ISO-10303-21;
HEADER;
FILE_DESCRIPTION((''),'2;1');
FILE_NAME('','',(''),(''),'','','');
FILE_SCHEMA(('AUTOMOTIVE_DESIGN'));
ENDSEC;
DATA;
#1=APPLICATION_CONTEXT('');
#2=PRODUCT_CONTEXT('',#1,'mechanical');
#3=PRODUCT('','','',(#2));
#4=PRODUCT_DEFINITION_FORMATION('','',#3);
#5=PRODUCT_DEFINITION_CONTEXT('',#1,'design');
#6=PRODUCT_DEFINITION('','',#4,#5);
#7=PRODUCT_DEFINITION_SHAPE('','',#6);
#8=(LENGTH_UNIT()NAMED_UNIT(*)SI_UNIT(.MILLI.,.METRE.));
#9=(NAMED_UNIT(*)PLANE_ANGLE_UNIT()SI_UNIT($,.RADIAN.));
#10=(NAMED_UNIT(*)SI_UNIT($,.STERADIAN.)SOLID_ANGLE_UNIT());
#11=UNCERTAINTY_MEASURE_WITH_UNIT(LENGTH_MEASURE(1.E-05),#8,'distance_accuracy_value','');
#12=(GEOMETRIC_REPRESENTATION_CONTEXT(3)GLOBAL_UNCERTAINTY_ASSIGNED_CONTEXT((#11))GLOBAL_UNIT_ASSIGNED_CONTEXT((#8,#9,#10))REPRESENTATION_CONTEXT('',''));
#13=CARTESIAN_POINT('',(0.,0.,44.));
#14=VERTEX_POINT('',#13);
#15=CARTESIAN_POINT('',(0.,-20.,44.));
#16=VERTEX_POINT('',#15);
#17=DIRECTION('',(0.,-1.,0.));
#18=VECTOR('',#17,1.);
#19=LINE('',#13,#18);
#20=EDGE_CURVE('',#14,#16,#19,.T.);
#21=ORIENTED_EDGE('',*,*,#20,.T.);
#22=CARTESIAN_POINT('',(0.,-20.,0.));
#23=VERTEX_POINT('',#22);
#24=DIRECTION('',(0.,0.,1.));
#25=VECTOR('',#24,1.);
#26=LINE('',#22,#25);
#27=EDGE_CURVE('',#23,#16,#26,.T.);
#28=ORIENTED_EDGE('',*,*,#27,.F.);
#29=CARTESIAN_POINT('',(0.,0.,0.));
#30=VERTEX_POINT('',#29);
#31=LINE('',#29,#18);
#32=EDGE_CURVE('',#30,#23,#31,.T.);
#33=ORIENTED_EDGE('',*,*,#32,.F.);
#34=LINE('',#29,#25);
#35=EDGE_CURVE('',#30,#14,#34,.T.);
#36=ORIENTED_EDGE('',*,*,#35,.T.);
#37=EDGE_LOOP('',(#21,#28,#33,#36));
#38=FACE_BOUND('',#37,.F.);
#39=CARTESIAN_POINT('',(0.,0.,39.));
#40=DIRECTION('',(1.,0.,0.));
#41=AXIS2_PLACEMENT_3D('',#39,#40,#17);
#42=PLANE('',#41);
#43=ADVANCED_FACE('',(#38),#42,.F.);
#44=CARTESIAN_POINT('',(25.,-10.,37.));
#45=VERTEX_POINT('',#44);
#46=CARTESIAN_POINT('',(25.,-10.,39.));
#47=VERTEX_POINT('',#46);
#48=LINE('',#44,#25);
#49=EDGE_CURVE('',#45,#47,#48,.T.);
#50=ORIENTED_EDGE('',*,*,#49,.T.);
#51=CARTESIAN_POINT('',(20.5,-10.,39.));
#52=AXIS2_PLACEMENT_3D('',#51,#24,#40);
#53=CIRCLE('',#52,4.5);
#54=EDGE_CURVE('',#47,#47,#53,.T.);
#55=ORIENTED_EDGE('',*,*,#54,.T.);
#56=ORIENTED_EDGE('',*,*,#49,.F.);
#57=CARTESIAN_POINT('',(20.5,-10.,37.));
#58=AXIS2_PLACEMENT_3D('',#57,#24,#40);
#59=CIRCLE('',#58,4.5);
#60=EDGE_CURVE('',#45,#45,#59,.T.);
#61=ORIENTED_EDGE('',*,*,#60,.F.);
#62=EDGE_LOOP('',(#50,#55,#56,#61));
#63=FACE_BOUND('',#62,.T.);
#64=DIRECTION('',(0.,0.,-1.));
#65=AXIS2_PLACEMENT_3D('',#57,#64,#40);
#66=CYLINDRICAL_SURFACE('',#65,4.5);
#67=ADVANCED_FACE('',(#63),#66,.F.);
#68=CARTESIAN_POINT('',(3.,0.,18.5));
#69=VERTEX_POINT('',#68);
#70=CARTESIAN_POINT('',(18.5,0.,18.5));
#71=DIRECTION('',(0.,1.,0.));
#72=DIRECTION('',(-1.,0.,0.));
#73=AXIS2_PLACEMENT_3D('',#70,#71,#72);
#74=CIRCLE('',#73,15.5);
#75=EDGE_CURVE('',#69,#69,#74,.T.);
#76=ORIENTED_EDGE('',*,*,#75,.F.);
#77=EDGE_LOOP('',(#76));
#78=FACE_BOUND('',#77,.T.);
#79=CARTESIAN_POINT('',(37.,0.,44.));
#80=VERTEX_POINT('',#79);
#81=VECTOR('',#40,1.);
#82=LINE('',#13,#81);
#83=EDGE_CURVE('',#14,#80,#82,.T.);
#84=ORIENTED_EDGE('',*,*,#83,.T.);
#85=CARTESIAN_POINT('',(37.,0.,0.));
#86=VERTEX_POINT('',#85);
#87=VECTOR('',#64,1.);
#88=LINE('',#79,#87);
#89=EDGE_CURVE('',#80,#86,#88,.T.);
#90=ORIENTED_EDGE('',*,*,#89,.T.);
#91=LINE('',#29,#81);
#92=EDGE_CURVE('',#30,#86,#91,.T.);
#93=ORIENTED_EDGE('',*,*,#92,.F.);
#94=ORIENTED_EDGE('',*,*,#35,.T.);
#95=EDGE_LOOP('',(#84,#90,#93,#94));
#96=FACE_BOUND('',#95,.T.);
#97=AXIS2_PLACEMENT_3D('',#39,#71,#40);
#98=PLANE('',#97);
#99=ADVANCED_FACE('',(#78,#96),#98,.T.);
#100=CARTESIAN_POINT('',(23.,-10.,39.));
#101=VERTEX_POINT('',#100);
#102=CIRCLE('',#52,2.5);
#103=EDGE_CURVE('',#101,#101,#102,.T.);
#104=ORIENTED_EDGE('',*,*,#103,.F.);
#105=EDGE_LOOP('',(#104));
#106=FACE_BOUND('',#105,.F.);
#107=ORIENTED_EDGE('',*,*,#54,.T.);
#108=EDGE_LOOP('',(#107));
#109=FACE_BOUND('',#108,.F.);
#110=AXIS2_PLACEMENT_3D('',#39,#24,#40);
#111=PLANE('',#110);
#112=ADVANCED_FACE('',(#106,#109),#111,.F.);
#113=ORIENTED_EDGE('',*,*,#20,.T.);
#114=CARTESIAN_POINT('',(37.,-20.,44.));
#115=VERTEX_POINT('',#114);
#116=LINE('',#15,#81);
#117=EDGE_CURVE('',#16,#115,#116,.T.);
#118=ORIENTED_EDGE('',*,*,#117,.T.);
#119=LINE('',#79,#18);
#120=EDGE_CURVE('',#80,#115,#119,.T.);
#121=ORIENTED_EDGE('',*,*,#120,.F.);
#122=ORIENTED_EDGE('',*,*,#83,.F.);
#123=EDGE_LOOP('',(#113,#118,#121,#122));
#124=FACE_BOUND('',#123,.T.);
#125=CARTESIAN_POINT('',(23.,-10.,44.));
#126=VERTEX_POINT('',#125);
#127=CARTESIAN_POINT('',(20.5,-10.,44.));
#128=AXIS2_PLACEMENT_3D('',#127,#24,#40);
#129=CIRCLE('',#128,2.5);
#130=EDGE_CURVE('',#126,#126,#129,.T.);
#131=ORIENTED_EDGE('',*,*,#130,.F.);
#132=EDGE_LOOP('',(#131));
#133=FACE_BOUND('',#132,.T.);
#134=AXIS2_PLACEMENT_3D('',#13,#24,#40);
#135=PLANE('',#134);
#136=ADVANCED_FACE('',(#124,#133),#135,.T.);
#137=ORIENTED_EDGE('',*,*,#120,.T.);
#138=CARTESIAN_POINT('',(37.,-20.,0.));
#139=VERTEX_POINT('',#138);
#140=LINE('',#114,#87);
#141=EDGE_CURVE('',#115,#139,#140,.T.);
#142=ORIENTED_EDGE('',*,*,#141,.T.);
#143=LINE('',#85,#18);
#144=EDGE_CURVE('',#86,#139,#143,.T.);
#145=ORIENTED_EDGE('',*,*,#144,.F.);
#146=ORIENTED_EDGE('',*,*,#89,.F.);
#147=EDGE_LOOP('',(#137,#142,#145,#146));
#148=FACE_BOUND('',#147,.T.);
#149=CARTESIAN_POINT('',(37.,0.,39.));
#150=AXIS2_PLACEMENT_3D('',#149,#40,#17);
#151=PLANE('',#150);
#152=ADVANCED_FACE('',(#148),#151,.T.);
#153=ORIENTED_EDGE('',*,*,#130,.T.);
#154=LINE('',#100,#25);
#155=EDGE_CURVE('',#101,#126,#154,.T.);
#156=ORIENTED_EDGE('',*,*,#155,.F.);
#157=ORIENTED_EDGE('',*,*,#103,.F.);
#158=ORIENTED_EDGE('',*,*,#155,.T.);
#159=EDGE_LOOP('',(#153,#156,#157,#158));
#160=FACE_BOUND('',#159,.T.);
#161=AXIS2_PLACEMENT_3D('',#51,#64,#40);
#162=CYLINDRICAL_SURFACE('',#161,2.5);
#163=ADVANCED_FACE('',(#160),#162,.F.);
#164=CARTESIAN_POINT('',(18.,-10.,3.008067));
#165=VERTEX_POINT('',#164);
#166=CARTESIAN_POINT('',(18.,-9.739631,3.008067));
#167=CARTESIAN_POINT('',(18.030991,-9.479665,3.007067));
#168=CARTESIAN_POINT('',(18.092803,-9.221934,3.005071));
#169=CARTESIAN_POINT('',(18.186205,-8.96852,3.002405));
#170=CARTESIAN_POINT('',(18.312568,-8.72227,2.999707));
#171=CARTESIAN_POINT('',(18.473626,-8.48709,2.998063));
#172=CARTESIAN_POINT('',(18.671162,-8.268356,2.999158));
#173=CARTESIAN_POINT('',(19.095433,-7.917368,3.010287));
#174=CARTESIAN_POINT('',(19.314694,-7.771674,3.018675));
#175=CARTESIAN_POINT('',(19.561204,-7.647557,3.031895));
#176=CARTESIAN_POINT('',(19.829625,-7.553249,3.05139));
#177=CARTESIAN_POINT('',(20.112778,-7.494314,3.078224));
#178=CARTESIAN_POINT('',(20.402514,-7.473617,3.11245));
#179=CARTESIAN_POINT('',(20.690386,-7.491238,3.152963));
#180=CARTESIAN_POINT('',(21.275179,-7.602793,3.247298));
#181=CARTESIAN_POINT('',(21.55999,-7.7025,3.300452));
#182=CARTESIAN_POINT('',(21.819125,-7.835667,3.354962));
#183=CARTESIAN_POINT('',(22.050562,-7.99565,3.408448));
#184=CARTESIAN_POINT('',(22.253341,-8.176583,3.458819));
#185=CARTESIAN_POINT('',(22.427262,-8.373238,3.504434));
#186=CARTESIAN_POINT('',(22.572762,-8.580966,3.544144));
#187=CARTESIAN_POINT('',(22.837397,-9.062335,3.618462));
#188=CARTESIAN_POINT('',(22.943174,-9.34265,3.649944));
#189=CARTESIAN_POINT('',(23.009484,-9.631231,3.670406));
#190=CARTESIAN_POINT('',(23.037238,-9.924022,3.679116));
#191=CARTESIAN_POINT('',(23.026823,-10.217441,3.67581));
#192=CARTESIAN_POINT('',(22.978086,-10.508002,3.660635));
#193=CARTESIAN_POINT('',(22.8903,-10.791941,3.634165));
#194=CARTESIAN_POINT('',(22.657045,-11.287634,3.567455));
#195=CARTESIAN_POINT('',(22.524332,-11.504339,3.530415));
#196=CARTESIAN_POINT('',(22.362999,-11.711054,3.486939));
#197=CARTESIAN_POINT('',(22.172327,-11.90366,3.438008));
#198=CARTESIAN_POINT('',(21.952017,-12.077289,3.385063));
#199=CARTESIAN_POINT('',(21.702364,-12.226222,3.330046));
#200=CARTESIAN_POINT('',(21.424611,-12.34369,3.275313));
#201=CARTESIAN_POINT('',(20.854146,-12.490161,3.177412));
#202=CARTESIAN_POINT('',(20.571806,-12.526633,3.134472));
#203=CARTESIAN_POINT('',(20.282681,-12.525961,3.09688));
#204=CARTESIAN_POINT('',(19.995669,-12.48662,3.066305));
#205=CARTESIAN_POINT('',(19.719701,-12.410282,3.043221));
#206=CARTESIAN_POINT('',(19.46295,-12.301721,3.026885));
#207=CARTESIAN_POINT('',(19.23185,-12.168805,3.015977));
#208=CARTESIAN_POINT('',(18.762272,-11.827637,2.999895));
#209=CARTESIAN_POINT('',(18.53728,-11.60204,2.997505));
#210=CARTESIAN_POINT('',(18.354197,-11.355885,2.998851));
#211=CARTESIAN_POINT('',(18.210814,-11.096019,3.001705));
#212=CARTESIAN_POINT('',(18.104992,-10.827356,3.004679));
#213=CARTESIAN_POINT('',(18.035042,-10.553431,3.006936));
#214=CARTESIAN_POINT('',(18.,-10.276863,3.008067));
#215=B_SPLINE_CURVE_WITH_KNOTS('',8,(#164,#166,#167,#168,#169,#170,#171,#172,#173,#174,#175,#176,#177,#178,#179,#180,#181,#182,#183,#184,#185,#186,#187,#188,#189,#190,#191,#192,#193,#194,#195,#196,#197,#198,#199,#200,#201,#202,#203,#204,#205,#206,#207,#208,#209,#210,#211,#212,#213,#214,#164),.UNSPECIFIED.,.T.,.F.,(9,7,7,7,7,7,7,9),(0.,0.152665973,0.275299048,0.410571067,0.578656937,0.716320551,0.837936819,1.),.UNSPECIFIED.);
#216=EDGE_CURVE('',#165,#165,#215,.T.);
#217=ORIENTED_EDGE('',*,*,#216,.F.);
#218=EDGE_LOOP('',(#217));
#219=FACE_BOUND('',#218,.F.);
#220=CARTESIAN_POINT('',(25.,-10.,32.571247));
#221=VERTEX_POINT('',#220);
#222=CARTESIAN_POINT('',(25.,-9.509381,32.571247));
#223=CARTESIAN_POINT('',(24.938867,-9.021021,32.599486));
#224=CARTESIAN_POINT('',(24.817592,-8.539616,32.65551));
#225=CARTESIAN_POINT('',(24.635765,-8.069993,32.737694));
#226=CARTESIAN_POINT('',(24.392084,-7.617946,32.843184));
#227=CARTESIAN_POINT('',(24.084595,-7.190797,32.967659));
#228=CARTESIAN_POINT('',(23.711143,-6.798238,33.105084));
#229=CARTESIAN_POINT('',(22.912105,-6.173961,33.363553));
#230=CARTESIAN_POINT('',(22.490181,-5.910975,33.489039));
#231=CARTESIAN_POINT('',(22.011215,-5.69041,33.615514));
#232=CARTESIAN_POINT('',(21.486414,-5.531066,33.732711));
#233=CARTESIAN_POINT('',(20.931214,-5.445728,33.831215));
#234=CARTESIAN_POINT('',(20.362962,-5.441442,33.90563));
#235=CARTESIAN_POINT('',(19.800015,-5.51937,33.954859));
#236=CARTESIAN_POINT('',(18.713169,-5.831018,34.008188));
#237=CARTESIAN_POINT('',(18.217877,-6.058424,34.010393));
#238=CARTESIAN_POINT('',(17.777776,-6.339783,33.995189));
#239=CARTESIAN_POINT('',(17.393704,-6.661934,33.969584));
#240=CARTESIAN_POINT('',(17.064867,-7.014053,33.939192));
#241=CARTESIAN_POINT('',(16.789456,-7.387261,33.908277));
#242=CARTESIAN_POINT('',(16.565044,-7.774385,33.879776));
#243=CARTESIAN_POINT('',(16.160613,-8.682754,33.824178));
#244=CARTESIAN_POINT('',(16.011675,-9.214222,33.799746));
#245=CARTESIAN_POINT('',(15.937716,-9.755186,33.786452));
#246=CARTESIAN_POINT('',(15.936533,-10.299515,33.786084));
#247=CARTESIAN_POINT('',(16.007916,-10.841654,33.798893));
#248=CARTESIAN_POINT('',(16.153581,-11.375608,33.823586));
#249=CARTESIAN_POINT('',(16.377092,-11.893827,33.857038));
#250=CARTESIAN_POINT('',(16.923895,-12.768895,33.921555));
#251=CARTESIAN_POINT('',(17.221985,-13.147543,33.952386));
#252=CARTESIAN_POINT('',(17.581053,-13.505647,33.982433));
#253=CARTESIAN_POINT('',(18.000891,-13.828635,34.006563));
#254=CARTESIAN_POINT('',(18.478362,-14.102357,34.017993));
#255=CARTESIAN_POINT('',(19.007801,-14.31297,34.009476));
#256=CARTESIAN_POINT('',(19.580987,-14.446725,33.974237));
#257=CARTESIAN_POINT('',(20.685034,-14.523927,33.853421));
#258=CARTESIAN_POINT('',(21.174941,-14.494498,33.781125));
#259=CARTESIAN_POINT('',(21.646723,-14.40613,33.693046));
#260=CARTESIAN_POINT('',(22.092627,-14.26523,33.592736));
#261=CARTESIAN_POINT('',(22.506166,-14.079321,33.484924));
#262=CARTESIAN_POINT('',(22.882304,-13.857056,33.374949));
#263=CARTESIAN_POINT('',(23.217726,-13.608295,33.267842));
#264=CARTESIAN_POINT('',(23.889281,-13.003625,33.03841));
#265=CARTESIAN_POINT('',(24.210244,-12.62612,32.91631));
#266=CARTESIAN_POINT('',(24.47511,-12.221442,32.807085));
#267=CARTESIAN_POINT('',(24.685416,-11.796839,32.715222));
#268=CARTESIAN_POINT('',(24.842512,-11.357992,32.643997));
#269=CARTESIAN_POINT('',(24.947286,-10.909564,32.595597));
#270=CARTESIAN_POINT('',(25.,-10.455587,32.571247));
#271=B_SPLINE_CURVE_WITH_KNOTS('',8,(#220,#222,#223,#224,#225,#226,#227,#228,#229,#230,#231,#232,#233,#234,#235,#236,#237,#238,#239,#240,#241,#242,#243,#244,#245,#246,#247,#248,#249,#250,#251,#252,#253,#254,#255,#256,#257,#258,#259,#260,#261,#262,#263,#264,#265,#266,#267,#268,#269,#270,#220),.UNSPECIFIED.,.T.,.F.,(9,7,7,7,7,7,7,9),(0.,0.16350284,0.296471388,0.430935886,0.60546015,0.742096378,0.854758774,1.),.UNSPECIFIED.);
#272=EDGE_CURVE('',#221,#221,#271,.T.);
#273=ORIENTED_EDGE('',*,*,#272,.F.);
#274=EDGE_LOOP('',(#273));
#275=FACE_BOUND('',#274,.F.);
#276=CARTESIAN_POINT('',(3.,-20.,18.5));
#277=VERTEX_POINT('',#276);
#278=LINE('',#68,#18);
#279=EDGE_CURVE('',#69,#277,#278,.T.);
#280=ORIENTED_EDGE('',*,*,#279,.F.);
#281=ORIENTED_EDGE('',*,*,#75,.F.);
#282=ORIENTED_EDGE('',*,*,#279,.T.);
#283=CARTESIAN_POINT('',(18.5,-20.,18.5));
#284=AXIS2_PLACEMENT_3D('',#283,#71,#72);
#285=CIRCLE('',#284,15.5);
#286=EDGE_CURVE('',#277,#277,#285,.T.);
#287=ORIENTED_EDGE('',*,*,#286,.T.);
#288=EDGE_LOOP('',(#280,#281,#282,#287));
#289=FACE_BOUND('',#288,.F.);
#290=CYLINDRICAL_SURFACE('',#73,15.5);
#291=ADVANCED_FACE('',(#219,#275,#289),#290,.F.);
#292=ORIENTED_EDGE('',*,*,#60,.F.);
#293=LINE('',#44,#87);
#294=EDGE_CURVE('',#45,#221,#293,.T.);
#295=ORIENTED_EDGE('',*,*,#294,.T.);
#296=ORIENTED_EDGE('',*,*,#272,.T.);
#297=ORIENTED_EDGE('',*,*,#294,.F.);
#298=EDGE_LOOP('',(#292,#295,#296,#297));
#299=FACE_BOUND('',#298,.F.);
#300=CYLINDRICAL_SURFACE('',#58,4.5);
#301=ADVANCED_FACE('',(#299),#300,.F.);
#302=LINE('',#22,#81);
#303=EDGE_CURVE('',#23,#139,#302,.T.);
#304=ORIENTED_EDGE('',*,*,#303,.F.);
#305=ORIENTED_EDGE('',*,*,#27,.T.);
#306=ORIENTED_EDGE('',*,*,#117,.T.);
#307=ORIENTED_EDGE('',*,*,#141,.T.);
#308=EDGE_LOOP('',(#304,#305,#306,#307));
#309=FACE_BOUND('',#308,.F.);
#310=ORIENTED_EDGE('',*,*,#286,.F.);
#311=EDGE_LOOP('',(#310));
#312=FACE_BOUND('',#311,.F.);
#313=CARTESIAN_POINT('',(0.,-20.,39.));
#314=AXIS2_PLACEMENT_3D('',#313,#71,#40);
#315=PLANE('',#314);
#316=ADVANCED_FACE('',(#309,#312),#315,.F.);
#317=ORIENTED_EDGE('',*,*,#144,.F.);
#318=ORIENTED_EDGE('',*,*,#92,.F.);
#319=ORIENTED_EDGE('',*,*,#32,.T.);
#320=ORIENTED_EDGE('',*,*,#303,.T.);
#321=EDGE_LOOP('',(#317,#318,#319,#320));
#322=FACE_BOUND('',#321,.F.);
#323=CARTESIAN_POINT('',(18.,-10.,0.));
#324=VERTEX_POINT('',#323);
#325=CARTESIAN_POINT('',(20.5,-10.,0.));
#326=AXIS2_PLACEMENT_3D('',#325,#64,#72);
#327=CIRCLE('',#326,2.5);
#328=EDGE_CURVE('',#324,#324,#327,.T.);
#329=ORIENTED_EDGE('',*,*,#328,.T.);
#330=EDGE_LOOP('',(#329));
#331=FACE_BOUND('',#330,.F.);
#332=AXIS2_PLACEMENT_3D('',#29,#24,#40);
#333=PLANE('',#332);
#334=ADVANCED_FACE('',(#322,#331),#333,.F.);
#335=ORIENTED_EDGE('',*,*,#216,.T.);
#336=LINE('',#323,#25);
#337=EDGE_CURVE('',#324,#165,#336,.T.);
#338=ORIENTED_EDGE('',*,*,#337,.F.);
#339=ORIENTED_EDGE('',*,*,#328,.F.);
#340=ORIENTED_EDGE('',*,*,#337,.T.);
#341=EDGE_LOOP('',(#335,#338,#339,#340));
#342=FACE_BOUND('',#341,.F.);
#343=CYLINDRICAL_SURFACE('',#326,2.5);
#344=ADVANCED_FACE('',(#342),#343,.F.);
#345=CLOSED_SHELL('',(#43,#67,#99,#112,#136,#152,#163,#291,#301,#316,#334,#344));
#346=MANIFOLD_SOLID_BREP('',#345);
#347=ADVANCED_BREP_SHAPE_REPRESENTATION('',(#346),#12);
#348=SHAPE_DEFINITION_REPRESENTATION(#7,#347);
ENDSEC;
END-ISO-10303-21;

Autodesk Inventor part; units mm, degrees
ref_plane "YZ Plane" through (0, 0, 0) normal (1, 0, 0) x (0, 1, 0)
ref_plane "XZ Plane" through (0, 0, 0) normal (0, 1, 0) x (-1, 0, 0)
ref_plane "XY Plane" through (0, 0, 0) normal (0, 0, 1) x (1, 0, 0)
sketch "Sketch1" plane through (0, 0, 0) normal (0, 1, 0) x (-1, 0, 0)
  line L0 (0, 0) -> (-37, 0)
  line L1 (-37, 0) -> (-37, 37)
  line L2 (-37, 37) -> (0, 37)
  line L3 (0, 37) -> (0, 0)
  circle A0 centre (-18.5, 18.5) radius 15.5
  point P0 (-18.5, 0)
  dimension "d0" = 37
  dimension "d1" = 37
  dimension "d2" = 18.5
  dimension "d3" = 18.5
  dimension "d4" = 31
extrude "Extrusion1" add sketch "Sketch1" against normal blind 20
sketch "Sketch3" plane through (0, 0, 37) normal (0, 0, 1) x (1, 0, 0)
  circle A0 centre (20.5, -10) radius 4.5
  point P0 (0, 0)
  dimension "d8" = 9
extrude "Extrusion2" cut sketch "Sketch3" against normal blind 5
sketch "Sketch4" plane through (37, 0, 0) normal (0, 0, -1) x (-1, 0, 0)
  circle A0 centre (16.5, -10) radius 4.5 projected
  circle A1 centre (16.5, -10) radius 2.5
  point P0 (37, 0)
  dimension "d11" = 5
extrude "Extrusion3" cut sketch "Sketch4" against normal blind 5 contours A1
sketch "Sketch5" plane through (0, 0, 37) normal (0, 0, 1) x (1, 0, 0)
  line L0 (37, 0) -> (0, 0) projected
  line L1 (0, -20) -> (37, -20) projected
  line L2 (0, 0) -> (37, 0)
  line L3 (37, 0) -> (37, -20)
  line L4 (37, -20) -> (0, -20)
  line L5 (0, -20) -> (0, 0)
  line L6 (0, 0) -> (0, -20) projected
  line L7 (0, 0) -> (37, 0)
  line L8 (37, 0) -> (37, -20)
  line L9 (37, -20) -> (0, -20)
  line L10 (0, -20) -> (0, 0)
  circle A0 centre (20.5, -10) radius 4.5
extrude "Extrusion4" add sketch "Sketch5" along normal blind 2
sketch "Sketch6" plane through (0, 0, 39) normal (0, 0, 1) x (1, 0, 0)
  line L0 (0, 0) -> (0, -20) projected
  line L1 (0, -20) -> (37, -20) projected
  line L2 (0, 0) -> (37, 0)
  line L3 (37, 0) -> (37, -20)
  line L4 (37, -20) -> (0, -20)
  line L5 (0, -20) -> (0, 0)
  circle A0 centre (20.5, -10) radius 2.5
extrude "Extrusion5" add sketch "Sketch6" along normal blind 5
equation "\"d0\" = d1"
equation "\"d2\" = 0.5 * d1"
equation "\"d3\" = 0.5 * d0"
properties part number "welco mount v02"
